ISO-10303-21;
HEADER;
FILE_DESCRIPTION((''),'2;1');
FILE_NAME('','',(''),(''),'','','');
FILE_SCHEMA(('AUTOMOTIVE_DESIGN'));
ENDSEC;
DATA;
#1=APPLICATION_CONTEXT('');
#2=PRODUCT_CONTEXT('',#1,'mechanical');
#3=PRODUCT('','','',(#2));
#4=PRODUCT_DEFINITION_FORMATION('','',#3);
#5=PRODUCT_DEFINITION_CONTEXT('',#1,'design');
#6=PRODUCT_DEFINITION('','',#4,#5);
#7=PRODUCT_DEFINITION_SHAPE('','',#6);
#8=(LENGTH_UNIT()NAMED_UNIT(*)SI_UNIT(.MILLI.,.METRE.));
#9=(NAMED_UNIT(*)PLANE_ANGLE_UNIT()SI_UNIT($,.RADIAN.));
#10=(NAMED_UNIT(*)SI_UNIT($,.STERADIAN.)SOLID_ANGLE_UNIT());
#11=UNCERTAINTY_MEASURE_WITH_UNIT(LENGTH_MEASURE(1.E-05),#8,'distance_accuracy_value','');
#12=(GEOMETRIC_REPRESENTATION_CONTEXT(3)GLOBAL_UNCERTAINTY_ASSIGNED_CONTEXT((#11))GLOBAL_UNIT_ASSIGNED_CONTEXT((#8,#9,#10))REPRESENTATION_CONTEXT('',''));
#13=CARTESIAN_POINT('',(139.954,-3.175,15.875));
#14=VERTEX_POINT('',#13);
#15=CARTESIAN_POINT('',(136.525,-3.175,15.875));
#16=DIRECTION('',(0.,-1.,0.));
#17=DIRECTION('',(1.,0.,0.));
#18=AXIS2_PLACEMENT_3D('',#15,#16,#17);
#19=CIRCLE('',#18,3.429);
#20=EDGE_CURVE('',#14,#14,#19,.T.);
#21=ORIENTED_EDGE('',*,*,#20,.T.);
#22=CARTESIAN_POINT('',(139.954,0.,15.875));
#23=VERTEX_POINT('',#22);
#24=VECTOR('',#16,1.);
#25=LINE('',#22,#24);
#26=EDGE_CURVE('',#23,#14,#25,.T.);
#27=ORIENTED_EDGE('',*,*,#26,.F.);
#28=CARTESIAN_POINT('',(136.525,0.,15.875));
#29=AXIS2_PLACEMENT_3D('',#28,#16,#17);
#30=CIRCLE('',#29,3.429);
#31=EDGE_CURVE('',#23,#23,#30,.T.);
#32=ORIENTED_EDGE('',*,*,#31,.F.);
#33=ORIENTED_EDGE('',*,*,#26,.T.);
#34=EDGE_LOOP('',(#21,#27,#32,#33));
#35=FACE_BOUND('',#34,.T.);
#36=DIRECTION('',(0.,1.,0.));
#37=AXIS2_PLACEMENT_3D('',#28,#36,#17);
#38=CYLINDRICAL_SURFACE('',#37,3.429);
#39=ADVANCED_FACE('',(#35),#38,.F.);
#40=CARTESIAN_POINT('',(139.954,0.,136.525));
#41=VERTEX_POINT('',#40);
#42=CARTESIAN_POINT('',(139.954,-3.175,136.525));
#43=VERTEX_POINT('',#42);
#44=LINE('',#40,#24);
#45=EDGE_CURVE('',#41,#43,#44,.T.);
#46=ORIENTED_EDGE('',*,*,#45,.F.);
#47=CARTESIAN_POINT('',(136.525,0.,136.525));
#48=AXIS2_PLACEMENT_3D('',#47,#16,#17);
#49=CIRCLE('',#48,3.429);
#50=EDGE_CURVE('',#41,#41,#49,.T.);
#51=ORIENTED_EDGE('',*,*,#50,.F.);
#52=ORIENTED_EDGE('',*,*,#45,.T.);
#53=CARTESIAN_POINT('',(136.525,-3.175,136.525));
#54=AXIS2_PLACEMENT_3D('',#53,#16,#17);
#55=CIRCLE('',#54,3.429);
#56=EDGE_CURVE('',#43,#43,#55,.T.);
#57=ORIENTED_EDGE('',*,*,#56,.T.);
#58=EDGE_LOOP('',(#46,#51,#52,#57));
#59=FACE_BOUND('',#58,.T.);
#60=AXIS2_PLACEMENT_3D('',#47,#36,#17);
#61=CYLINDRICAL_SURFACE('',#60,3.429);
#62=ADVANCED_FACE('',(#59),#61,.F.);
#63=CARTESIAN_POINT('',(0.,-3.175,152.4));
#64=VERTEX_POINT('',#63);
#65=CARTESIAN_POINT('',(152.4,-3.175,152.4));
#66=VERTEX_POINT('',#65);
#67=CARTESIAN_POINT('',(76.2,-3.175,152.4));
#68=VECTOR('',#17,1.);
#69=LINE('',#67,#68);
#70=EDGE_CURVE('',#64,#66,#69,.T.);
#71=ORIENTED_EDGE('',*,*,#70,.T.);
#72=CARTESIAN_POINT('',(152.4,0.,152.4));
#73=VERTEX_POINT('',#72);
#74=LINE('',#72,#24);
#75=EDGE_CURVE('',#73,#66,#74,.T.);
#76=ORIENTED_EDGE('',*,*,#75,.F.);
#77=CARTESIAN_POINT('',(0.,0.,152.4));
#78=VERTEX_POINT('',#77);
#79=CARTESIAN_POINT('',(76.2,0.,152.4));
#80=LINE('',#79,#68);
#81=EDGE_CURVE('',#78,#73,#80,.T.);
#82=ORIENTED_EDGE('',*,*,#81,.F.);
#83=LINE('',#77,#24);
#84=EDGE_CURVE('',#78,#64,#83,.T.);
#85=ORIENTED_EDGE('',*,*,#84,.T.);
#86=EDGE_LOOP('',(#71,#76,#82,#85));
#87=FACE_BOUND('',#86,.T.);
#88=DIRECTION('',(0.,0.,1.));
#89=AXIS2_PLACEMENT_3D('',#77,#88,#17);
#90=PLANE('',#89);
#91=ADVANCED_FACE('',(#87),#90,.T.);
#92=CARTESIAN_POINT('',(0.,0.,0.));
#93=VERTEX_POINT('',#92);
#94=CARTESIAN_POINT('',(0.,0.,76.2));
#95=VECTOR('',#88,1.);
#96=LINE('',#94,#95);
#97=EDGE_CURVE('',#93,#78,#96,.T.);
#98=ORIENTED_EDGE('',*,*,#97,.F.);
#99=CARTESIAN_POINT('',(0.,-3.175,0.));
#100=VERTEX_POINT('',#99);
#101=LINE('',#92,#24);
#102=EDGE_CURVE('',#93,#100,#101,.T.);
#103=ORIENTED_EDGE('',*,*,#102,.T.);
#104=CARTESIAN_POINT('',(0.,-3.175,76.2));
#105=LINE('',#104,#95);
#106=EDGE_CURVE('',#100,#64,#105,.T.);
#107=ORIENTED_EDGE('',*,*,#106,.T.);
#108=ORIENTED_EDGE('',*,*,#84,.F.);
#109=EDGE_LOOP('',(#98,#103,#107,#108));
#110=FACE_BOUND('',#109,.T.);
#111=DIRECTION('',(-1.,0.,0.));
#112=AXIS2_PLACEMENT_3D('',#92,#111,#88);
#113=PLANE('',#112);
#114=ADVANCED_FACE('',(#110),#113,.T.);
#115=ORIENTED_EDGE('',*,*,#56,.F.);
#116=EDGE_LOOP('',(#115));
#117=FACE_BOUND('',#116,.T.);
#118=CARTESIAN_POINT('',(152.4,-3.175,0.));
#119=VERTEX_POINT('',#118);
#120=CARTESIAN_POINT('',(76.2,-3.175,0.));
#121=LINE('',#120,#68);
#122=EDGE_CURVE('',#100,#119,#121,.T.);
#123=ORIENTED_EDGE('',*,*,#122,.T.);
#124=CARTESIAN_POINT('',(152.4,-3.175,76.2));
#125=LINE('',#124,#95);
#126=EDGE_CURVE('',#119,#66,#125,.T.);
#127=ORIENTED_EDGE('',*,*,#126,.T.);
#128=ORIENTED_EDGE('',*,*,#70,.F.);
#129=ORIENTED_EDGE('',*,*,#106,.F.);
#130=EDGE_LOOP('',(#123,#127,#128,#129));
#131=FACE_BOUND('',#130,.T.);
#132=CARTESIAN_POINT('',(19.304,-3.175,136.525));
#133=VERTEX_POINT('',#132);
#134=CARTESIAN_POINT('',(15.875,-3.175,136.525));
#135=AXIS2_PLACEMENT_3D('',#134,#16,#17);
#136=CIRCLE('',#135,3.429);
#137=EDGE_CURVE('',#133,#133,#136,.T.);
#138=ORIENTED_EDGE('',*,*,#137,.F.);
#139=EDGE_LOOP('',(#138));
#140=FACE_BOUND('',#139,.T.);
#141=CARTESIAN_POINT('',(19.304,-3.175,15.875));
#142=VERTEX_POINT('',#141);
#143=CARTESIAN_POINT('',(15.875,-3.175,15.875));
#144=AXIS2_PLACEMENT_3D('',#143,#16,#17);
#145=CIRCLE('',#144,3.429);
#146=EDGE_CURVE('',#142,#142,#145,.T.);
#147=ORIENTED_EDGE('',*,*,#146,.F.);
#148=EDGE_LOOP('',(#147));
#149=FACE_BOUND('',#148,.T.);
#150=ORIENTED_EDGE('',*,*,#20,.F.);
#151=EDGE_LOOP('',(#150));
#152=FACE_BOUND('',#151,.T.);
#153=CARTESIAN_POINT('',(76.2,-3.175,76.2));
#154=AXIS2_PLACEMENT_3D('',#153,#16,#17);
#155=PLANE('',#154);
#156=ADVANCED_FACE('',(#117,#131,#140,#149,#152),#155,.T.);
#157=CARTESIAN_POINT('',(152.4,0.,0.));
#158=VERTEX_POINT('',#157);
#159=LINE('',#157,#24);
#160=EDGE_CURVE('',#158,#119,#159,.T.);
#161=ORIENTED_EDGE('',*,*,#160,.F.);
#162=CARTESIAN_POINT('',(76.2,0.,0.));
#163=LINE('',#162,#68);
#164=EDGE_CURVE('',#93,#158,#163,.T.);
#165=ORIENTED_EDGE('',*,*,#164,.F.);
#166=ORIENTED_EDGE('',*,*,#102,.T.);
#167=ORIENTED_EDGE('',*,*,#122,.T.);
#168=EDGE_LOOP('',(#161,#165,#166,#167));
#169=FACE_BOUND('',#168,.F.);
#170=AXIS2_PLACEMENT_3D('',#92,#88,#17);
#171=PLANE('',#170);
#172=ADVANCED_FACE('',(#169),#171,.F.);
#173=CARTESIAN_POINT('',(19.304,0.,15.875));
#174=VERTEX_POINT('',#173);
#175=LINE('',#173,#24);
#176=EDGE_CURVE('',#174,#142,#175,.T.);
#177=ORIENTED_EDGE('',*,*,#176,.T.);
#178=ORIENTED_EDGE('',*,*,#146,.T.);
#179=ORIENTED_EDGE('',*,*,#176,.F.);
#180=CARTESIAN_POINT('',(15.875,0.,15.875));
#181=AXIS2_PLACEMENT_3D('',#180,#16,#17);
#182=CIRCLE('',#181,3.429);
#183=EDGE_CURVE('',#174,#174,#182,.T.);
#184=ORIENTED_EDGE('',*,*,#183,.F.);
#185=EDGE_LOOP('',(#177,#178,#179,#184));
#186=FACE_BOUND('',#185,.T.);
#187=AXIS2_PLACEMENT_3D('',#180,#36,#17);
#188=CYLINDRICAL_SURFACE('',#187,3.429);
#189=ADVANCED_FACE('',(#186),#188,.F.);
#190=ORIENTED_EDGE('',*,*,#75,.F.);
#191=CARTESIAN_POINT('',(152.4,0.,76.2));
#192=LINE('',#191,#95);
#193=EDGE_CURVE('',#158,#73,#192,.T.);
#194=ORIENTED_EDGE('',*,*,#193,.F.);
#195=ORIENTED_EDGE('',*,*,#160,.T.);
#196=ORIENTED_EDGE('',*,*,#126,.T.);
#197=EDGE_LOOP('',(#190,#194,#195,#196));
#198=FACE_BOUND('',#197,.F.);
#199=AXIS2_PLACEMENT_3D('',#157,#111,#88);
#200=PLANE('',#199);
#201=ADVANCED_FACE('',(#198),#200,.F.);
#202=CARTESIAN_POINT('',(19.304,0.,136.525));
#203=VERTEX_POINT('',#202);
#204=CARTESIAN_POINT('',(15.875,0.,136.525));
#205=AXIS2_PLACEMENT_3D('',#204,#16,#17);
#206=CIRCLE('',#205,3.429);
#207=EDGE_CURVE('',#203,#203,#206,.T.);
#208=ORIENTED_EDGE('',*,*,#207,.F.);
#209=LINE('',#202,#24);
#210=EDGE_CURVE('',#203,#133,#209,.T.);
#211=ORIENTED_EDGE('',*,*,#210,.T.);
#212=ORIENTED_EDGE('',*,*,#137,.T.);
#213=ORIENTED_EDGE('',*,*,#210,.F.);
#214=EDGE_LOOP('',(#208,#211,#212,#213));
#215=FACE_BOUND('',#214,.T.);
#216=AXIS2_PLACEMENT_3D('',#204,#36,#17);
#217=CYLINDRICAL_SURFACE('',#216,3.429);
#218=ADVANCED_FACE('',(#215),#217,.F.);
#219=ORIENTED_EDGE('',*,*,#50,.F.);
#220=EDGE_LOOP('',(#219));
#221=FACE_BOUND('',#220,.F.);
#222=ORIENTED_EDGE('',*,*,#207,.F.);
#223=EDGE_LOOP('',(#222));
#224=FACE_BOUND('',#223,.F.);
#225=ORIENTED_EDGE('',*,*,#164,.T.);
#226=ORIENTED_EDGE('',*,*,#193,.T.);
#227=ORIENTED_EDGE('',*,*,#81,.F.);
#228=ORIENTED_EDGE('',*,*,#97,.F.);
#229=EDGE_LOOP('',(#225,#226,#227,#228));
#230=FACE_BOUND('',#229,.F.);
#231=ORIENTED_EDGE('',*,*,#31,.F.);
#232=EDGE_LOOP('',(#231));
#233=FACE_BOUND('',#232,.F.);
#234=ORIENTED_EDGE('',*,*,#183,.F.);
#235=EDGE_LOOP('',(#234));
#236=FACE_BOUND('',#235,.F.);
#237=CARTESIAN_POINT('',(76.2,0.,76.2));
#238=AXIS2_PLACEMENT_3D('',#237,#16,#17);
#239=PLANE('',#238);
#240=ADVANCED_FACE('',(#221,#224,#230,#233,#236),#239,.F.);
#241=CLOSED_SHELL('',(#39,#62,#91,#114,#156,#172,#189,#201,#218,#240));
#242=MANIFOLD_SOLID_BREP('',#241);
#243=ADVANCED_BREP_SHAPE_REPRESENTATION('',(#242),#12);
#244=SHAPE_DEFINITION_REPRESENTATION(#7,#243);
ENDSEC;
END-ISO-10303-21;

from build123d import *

# Parameters (mm, degrees)
F1_W     = 152.4
F1_H     = 152.4
F1_R     = 3.429
F2_DEPTH = 3.175


with BuildPart() as f2:
    # F1 (on face) → F2 (new body)
    with BuildSketch(Plane.XZ):
        with Locations((76.2, 76.2)):
            Rectangle(F1_W, F1_H)
        with Locations((15.875, 15.875)):
            Circle(F1_R, mode=Mode.SUBTRACT)
        with Locations((136.525, 15.875)):
            Circle(F1_R, mode=Mode.SUBTRACT)
        with Locations((15.875, 136.525)):
            Circle(F1_R, mode=Mode.SUBTRACT)
        with Locations((136.525, 136.525)):
            Circle(F1_R, mode=Mode.SUBTRACT)
    extrude(amount=F2_DEPTH)


solid = f2.part
